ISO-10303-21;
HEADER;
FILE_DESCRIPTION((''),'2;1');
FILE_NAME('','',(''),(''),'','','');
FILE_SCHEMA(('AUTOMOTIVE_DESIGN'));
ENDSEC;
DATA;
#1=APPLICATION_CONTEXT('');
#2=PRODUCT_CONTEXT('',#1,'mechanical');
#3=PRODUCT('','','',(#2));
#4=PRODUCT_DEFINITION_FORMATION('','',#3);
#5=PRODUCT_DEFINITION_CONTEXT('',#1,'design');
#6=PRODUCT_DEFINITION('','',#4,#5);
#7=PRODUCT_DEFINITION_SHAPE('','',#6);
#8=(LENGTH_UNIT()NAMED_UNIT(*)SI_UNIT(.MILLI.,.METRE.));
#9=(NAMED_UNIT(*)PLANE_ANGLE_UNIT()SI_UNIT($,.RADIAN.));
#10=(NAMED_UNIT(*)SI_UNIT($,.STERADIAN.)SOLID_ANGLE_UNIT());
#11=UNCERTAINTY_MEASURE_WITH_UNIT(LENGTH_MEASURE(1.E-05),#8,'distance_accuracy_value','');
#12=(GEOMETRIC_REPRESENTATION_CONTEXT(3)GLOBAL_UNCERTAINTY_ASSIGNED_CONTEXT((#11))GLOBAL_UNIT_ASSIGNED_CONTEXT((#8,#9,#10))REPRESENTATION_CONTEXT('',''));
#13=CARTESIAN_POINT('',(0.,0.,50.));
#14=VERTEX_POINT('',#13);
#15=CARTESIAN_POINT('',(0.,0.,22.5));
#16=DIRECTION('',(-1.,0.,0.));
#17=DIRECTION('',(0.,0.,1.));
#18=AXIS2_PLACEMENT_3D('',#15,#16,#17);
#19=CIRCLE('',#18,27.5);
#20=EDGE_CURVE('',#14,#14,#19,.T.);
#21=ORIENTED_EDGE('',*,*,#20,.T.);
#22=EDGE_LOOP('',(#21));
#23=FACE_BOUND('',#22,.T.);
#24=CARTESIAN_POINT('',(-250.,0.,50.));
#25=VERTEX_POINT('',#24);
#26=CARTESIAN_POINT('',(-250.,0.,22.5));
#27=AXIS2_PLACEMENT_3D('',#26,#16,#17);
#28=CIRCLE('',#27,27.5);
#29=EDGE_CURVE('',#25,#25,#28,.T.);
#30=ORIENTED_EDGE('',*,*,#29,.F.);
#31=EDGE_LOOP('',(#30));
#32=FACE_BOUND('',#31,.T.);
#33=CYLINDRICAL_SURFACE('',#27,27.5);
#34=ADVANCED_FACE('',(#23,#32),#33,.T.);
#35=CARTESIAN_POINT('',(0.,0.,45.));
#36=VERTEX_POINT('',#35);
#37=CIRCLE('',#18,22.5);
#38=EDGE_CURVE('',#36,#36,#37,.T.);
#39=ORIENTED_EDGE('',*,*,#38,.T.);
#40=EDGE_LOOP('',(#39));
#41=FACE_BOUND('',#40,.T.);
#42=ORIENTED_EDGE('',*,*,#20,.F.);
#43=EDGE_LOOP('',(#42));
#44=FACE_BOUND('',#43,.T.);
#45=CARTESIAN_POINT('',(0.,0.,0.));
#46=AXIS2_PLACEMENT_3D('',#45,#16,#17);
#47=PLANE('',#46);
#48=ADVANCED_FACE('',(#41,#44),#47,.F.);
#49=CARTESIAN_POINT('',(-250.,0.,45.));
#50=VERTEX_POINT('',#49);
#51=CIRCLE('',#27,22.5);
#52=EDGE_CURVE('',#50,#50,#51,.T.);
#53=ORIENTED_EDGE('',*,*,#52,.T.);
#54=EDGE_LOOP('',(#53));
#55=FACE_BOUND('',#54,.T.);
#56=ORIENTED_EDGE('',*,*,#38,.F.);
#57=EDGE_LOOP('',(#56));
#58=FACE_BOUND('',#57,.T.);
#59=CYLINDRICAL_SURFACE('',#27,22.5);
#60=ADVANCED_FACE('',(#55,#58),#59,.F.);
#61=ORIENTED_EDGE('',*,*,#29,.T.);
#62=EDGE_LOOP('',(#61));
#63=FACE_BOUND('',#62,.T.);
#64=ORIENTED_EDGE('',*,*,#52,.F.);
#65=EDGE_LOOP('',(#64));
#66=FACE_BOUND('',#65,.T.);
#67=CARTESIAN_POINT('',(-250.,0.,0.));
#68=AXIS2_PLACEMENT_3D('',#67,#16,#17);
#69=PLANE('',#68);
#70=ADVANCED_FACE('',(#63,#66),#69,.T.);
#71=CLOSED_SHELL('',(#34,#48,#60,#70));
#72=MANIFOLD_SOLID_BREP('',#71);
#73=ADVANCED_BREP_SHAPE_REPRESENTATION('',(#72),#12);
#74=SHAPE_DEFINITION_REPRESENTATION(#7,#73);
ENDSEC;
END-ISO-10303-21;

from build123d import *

# Parameters (mm, degrees)
SKETCH1_W = 250
SKETCH1_H = 5


with BuildPart() as part:
    # Sketch1 → Revolve1 (revolve)
    with BuildSketch(Plane(origin=(0, 0, 0), x_dir=(1, 0, 0), z_dir=(0, 1, 0)), mode=Mode.PRIVATE) as revolve1_sk:
        with Locations((-125, 2.5)):
            Rectangle(SKETCH1_W, SKETCH1_H)
    revolve(revolve1_sk.sketch.rotate(Axis((-250, 0, 22.5), (1, 0, 0)), 180), axis=Axis((-250, 0, 22.5), (1, 0, 0)))


solid = part.part
